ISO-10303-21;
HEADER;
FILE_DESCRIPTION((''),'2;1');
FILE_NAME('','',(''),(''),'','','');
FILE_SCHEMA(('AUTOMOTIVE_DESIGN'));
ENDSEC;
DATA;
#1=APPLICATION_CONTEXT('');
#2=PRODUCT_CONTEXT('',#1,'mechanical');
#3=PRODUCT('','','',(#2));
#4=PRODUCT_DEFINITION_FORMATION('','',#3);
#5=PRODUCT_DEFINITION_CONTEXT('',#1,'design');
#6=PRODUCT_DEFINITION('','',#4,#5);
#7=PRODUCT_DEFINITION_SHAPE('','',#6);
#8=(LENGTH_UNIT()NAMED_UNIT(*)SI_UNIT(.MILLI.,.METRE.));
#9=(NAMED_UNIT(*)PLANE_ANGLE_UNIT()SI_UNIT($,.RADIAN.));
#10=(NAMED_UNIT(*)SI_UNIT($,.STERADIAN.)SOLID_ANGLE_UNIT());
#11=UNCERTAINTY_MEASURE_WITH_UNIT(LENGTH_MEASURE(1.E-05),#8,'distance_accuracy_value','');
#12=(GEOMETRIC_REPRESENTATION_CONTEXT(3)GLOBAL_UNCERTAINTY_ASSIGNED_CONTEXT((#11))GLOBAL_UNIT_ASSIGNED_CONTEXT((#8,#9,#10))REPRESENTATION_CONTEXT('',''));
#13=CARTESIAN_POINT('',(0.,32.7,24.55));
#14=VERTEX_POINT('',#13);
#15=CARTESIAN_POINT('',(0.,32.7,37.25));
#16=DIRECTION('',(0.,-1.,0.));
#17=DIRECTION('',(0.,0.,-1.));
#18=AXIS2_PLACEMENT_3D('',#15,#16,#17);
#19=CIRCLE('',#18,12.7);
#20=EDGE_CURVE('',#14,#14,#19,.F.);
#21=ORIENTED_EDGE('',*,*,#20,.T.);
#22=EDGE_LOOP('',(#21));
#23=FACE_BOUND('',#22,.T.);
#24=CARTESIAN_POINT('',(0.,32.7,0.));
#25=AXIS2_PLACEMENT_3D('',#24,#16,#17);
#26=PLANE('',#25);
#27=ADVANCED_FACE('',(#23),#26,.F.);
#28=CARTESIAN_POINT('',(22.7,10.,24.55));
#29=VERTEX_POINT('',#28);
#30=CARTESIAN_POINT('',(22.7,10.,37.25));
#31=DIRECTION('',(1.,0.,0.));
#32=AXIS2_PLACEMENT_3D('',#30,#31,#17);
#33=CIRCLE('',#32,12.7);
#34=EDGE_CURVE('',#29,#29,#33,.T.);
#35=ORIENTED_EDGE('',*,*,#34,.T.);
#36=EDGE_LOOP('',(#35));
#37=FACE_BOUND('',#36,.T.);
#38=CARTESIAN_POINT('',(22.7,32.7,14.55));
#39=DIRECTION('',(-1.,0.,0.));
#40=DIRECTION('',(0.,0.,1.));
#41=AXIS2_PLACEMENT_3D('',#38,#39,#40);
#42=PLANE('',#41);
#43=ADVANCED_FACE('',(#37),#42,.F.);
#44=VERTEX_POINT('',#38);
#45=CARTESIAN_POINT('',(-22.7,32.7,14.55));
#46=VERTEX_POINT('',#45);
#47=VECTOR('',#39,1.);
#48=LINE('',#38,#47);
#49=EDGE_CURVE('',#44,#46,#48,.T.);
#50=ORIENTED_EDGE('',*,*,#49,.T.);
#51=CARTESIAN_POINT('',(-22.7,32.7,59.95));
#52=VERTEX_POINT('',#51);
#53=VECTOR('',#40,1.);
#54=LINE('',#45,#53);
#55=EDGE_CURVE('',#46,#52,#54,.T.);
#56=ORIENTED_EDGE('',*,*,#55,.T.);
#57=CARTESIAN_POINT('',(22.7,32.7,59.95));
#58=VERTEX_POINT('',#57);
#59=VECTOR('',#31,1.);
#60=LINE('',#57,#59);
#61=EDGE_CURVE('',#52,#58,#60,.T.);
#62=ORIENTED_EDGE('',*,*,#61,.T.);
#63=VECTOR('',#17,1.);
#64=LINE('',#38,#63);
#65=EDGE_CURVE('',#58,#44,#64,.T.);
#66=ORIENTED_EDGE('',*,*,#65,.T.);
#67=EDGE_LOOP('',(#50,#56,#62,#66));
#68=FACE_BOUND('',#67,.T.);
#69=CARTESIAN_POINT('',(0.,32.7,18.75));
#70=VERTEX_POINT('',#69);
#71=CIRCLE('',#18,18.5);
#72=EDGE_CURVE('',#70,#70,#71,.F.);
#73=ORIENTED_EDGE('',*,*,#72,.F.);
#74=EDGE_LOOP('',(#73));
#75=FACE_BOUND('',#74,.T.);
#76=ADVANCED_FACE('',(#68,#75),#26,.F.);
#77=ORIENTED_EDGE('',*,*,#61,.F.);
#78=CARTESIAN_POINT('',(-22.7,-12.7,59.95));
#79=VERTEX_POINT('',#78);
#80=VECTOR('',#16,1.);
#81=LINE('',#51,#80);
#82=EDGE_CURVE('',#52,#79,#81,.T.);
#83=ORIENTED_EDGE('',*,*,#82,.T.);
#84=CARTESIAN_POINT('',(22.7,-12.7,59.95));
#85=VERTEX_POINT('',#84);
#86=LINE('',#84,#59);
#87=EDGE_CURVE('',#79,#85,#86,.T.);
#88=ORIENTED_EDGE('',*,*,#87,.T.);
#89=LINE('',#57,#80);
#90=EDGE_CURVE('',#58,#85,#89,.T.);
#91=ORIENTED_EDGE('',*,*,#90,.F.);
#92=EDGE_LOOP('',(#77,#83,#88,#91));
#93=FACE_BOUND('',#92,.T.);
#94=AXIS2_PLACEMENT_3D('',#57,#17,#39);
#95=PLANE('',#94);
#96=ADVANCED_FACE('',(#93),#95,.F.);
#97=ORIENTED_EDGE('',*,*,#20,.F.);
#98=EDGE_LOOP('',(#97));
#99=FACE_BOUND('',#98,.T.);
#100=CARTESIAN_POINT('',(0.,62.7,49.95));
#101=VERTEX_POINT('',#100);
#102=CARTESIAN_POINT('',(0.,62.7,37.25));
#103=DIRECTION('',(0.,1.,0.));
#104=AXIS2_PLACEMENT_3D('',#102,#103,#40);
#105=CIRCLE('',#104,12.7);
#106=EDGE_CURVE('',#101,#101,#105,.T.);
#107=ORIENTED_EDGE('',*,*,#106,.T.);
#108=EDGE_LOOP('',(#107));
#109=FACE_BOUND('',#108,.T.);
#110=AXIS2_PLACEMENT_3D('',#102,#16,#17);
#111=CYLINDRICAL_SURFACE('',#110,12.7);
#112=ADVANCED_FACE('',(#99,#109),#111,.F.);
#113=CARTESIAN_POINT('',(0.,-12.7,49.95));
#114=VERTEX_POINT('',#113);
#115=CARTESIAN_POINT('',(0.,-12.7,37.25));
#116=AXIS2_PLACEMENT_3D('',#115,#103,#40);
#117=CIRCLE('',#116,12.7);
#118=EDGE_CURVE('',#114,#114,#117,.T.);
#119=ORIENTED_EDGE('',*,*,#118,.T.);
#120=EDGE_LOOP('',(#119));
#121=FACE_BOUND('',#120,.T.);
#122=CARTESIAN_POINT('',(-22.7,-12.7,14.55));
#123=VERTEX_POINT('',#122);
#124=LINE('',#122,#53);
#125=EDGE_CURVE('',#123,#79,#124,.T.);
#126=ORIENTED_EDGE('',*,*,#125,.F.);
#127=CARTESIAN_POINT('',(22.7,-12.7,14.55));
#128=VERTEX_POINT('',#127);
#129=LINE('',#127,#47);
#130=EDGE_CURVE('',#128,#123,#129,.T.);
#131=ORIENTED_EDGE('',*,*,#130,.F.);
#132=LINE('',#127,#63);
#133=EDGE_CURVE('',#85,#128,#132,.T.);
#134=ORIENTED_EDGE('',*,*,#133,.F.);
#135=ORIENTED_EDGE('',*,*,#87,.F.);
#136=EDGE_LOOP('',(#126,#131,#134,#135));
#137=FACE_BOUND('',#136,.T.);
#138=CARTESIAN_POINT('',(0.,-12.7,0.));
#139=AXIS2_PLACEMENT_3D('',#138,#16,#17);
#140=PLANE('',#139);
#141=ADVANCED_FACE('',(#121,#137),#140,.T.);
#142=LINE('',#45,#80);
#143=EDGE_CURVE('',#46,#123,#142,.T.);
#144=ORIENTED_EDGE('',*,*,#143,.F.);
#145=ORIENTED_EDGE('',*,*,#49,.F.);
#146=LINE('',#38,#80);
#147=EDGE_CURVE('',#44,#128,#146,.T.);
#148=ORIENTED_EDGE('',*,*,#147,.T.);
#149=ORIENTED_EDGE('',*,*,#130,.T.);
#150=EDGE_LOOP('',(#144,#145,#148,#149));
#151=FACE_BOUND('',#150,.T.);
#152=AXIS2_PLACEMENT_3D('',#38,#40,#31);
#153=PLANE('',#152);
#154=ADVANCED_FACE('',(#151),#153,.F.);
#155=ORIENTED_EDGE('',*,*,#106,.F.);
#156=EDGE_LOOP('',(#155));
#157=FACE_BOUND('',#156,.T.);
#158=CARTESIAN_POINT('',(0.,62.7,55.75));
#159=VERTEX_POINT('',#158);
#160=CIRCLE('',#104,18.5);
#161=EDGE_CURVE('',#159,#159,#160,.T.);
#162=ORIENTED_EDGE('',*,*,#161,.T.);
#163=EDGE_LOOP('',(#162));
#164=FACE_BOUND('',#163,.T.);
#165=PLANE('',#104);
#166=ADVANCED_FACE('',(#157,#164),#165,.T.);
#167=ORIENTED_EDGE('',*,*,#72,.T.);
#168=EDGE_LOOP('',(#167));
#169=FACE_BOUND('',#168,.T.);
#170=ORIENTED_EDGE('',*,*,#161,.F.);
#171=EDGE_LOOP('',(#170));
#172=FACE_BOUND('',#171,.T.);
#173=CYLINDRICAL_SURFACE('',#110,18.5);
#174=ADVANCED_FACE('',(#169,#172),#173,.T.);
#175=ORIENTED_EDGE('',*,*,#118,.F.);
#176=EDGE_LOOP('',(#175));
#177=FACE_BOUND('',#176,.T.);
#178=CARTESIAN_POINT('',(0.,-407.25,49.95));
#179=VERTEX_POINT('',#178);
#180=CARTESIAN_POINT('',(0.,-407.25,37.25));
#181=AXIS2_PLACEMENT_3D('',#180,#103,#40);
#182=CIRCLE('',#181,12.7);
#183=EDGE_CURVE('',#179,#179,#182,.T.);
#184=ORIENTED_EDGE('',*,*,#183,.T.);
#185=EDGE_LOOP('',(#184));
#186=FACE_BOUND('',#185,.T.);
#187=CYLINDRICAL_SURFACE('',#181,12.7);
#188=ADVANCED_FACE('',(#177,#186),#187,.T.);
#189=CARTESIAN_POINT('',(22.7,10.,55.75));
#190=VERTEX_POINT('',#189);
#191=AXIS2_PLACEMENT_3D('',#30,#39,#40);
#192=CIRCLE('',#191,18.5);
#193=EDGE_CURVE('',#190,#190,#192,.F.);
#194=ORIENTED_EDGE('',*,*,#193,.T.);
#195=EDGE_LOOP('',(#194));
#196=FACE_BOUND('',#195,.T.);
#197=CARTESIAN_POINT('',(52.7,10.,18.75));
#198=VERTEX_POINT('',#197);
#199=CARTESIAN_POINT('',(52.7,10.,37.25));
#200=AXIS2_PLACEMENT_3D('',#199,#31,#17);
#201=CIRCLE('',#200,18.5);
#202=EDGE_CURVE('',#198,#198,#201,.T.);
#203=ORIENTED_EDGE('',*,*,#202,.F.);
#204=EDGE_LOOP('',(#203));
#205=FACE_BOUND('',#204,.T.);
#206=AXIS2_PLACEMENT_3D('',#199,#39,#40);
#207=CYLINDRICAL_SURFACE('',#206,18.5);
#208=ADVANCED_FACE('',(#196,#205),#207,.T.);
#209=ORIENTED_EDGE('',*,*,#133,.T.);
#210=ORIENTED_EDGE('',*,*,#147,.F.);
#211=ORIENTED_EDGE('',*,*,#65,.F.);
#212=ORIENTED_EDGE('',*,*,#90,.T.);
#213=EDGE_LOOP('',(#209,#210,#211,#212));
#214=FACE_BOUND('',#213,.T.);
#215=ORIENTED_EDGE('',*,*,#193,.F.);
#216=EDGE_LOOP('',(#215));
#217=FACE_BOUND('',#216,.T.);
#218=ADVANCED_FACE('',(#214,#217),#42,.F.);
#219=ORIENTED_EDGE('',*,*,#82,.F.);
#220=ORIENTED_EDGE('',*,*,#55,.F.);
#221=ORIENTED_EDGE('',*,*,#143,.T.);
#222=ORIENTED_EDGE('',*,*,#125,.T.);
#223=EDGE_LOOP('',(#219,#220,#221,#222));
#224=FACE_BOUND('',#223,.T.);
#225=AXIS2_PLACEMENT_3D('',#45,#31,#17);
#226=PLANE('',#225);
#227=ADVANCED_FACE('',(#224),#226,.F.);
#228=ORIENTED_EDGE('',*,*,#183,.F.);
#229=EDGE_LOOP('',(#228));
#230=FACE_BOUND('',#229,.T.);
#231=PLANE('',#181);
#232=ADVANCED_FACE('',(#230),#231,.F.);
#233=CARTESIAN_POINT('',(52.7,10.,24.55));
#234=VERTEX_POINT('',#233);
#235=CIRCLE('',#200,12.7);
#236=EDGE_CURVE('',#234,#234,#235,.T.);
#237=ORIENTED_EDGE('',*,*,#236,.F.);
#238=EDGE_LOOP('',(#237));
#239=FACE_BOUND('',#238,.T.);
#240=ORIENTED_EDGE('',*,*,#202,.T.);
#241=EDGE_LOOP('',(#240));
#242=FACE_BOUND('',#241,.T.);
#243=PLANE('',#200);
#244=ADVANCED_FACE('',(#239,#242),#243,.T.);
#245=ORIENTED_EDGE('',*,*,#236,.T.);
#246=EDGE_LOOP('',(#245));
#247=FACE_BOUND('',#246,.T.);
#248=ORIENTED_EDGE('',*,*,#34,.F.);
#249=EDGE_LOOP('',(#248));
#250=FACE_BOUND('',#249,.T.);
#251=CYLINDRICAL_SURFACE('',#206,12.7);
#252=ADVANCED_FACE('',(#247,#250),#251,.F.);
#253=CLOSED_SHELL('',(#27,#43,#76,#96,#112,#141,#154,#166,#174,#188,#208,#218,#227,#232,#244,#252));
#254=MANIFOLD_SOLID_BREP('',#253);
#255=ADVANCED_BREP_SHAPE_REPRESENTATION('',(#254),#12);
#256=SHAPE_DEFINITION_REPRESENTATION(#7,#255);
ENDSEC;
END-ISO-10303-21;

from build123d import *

# Parameters (mm, degrees)
CROQUIS2_R              = 12.7
SALIENTE_EXTRUIR1_DEPTH = 394.55
CROQUIS4_W              = 45.4
CROQUIS4_H              = 45.4
SALIENTE_EXTRUIR2_DEPTH = 45.4
CROQUIS5_R              = 18.5
CROQUIS5_R_2            = 12.7
SALIENTE_EXTRUIR3_DEPTH = 30
SALIENTE_EXTRUIR4_START = 75.4
CROQUIS7_R              = 18.5
CROQUIS7_R_2            = 12.7
SALIENTE_EXTRUIR4_DEPTH = 75.4


with BuildPart() as part:
    # Croquis2 → Saliente-Extruir1 (new body)
    with BuildSketch(Plane(origin=(0, -12.7, 0), x_dir=(1, 0, 0), z_dir=(0, 1, 0))):
        with Locations(Location((0, -37.25, 0), (0, 0, 270))):
            Circle(CROQUIS2_R)
    extrude(amount=-SALIENTE_EXTRUIR1_DEPTH)

    # Croquis4 → Saliente-Extruir2 (add)
    with BuildSketch(Plane(origin=(0, -12.7, 0), x_dir=(1, 0, 0), z_dir=(0, 1, 0))):
        with Locations((0, -37.25)):
            Rectangle(CROQUIS4_W, CROQUIS4_H)
    extrude(amount=SALIENTE_EXTRUIR2_DEPTH)

    # Croquis5 → Saliente-Extruir3 (add)
    with BuildSketch(Plane(origin=(22.7, 0, 0), x_dir=(0, 0, -1), z_dir=(1, 0, 0))):
        with Locations(Location((-37.25, 10, 0), (0, 0, 180))):
            Circle(CROQUIS5_R)
        with Locations((-37.25, 10)):
            Circle(CROQUIS5_R_2, mode=Mode.SUBTRACT)
    extrude(amount=SALIENTE_EXTRUIR3_DEPTH)

    # Croquis7 → Saliente-Extruir4 (add)
    with BuildSketch(Plane(origin=(0, -12.7, 0), x_dir=(1, 0, 0), z_dir=(0, 1, 0)).offset(SALIENTE_EXTRUIR4_START)):
        with Locations(Location((0, -37.25, 0), (0, 0, 90))):
            Circle(CROQUIS7_R)
        with Locations(Location((0, -37.25, 0), (0, 0, 270))):
            Circle(CROQUIS7_R_2, mode=Mode.SUBTRACT)
    extrude(amount=-SALIENTE_EXTRUIR4_DEPTH)


solid = part.part
